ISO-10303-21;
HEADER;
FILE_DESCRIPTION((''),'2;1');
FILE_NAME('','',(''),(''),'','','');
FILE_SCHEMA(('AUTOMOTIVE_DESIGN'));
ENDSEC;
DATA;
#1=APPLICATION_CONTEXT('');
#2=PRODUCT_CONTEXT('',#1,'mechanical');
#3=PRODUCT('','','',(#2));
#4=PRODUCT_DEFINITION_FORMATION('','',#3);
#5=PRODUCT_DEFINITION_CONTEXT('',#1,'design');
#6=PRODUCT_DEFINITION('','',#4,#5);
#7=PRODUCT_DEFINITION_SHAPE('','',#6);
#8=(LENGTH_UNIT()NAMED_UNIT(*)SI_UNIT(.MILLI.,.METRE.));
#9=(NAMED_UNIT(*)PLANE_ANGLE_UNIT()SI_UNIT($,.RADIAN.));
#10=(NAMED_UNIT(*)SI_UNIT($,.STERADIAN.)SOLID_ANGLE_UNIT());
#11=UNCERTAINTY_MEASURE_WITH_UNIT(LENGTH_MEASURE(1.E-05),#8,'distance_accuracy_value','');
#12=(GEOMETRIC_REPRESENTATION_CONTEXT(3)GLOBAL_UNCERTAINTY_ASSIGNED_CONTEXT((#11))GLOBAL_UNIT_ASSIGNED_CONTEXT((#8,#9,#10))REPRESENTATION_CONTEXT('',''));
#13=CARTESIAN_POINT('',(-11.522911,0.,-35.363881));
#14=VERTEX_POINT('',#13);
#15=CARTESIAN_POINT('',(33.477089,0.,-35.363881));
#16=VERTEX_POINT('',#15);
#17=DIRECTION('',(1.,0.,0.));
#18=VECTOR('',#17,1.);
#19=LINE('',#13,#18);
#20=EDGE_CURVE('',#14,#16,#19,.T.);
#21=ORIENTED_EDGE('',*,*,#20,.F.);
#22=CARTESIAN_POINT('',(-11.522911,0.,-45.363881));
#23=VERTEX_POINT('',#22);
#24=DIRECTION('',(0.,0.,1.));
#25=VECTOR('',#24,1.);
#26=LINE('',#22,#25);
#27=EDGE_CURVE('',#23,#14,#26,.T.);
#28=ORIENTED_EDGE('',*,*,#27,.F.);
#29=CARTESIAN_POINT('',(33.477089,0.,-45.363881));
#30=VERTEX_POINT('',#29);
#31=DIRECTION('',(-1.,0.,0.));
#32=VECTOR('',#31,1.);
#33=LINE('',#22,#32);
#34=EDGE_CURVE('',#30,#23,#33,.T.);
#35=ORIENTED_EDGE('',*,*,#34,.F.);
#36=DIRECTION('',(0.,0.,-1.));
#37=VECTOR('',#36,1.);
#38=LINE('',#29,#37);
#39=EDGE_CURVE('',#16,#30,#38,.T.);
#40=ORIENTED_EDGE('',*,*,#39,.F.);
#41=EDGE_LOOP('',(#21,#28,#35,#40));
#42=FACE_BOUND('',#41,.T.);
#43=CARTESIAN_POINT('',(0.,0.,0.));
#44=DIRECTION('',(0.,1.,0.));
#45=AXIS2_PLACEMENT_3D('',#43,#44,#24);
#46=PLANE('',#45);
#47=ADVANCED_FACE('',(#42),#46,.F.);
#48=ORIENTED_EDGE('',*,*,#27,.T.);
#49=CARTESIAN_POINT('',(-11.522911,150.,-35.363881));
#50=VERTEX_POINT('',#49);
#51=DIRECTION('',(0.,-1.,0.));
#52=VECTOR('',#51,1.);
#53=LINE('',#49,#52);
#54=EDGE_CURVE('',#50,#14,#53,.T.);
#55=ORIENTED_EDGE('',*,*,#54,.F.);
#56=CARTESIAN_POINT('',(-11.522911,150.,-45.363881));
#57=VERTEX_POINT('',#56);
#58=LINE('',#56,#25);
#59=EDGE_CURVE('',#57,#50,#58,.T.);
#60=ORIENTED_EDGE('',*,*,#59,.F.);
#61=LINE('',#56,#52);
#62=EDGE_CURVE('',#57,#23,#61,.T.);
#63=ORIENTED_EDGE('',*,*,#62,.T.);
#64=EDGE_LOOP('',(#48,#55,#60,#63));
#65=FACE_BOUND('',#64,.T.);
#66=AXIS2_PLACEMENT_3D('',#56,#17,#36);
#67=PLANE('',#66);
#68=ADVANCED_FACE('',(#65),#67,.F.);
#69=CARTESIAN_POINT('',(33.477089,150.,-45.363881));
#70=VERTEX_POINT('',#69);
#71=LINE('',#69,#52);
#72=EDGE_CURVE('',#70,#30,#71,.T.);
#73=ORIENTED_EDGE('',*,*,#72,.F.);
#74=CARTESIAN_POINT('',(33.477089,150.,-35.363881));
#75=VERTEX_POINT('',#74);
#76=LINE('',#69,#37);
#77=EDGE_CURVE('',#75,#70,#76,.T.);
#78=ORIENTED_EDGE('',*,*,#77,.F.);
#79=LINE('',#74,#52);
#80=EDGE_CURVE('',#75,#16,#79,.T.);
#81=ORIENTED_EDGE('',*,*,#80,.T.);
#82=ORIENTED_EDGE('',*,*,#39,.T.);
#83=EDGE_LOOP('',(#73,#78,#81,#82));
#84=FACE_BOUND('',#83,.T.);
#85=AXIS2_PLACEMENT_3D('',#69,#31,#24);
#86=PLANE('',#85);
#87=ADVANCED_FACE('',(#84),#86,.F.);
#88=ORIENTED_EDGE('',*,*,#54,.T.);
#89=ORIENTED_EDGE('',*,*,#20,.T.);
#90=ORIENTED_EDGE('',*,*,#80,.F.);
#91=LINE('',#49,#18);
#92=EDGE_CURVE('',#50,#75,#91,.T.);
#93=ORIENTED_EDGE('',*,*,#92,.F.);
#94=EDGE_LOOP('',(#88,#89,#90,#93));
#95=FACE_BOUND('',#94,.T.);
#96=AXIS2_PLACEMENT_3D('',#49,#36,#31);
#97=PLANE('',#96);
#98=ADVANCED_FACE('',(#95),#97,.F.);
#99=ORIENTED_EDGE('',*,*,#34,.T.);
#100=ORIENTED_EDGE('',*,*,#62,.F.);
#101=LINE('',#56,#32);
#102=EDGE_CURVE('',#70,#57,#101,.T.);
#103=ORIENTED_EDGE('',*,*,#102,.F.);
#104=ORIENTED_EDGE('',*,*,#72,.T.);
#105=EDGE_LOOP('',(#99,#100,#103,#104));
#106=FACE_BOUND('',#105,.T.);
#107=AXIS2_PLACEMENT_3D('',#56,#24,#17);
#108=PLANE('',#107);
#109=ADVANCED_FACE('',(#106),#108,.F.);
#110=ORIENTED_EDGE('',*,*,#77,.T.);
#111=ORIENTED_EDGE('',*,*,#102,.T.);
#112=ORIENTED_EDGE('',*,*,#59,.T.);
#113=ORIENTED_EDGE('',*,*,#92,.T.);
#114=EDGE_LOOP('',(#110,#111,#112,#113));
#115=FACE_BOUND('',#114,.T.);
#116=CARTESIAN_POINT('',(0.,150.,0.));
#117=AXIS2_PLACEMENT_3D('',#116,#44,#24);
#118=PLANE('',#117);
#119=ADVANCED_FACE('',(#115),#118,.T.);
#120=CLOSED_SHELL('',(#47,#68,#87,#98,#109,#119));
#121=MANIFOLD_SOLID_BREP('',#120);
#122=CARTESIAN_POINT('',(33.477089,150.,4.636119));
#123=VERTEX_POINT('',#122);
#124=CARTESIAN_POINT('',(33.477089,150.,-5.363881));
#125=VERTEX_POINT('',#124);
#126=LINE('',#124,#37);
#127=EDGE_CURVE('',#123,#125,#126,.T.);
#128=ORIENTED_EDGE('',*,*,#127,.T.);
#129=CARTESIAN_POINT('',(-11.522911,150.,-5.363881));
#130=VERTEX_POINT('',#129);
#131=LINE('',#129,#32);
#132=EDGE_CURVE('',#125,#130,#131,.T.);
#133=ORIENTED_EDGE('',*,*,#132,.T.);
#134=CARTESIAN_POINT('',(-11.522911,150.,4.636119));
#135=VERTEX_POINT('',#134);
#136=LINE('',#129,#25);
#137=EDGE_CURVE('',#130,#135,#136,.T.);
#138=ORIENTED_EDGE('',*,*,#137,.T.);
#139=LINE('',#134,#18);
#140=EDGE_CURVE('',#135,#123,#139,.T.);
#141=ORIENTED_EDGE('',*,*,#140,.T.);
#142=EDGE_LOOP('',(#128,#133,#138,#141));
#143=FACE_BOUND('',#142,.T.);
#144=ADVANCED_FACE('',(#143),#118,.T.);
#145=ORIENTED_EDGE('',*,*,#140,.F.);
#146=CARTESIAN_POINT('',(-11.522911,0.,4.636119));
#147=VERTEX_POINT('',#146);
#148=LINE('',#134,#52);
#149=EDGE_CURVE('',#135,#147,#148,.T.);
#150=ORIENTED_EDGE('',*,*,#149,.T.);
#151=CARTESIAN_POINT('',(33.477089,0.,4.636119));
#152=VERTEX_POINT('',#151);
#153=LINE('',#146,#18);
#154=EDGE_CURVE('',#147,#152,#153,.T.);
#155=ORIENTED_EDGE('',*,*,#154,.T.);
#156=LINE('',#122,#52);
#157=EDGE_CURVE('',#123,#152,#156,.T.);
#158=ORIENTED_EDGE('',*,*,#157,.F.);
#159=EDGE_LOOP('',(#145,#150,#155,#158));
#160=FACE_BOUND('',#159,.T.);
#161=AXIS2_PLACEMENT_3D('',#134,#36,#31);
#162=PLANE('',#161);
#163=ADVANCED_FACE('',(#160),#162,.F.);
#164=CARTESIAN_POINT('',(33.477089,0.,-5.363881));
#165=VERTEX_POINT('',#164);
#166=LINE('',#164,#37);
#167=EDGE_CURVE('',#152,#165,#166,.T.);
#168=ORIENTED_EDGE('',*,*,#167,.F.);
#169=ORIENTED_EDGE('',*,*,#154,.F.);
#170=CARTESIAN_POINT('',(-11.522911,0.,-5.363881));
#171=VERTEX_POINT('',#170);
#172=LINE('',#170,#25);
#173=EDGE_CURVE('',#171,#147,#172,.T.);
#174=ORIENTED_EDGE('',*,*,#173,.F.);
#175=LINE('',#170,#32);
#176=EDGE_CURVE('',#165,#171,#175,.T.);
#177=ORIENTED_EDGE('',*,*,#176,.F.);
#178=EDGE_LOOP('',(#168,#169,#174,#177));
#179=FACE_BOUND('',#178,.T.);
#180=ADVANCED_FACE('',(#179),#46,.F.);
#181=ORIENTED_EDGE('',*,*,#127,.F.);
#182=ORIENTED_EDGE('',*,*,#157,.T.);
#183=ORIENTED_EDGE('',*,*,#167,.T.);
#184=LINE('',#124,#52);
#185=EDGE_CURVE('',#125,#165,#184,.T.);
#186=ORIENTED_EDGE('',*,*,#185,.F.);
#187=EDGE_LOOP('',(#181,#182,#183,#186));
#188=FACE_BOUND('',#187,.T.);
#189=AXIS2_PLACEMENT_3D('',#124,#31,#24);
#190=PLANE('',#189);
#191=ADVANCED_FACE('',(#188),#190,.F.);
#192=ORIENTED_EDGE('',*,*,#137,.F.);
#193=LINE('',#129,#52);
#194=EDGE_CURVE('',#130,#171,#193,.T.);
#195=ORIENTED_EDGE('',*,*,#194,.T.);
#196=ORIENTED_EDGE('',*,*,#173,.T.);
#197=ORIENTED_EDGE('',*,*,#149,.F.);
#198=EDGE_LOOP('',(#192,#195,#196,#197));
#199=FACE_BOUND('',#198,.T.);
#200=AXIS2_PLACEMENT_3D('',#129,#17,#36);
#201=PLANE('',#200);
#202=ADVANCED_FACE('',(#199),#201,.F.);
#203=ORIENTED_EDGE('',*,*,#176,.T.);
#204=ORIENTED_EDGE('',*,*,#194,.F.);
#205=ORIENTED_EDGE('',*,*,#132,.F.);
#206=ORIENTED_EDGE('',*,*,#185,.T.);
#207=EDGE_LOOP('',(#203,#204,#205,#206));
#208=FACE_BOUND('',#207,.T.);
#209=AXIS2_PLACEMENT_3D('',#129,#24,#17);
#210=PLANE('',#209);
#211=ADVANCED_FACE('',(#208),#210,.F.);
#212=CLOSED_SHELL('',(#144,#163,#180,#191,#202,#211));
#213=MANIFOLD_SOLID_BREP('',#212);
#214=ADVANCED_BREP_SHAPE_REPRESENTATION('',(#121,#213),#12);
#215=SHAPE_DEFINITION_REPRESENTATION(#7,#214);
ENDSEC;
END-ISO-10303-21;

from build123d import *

# Parameters (mm, degrees)
SKETCH_1_W        = 45
SKETCH_1_H        = 10
EXTRUDE_1_DEPTH   = 150
EXTRUDE_1_2_DEPTH = 150


with BuildPart() as part:
    # 草图1 → 凸台-拉伸1 (new body)
    with BuildSketch(Plane(origin=(0, 0, 0), x_dir=(1, 0, 0), z_dir=(0, 1, 0))):
        with Locations((10.977088949, 40.363881402)):
            Rectangle(SKETCH_1_W, SKETCH_1_H)
    extrude(amount=EXTRUDE_1_DEPTH)


with BuildPart() as body_2:
    # 草图1 → Extrude 1 2 (new body)
    with BuildSketch(Plane(origin=(0, 0, 0), x_dir=(1, 0, 0), z_dir=(0, 1, 0))):
        with Locations((10.977088949, 0.363881402)):
            Rectangle(SKETCH_1_W, SKETCH_1_H)
    extrude(amount=EXTRUDE_1_2_DEPTH)


solid = Compound([part.part, body_2.part])
